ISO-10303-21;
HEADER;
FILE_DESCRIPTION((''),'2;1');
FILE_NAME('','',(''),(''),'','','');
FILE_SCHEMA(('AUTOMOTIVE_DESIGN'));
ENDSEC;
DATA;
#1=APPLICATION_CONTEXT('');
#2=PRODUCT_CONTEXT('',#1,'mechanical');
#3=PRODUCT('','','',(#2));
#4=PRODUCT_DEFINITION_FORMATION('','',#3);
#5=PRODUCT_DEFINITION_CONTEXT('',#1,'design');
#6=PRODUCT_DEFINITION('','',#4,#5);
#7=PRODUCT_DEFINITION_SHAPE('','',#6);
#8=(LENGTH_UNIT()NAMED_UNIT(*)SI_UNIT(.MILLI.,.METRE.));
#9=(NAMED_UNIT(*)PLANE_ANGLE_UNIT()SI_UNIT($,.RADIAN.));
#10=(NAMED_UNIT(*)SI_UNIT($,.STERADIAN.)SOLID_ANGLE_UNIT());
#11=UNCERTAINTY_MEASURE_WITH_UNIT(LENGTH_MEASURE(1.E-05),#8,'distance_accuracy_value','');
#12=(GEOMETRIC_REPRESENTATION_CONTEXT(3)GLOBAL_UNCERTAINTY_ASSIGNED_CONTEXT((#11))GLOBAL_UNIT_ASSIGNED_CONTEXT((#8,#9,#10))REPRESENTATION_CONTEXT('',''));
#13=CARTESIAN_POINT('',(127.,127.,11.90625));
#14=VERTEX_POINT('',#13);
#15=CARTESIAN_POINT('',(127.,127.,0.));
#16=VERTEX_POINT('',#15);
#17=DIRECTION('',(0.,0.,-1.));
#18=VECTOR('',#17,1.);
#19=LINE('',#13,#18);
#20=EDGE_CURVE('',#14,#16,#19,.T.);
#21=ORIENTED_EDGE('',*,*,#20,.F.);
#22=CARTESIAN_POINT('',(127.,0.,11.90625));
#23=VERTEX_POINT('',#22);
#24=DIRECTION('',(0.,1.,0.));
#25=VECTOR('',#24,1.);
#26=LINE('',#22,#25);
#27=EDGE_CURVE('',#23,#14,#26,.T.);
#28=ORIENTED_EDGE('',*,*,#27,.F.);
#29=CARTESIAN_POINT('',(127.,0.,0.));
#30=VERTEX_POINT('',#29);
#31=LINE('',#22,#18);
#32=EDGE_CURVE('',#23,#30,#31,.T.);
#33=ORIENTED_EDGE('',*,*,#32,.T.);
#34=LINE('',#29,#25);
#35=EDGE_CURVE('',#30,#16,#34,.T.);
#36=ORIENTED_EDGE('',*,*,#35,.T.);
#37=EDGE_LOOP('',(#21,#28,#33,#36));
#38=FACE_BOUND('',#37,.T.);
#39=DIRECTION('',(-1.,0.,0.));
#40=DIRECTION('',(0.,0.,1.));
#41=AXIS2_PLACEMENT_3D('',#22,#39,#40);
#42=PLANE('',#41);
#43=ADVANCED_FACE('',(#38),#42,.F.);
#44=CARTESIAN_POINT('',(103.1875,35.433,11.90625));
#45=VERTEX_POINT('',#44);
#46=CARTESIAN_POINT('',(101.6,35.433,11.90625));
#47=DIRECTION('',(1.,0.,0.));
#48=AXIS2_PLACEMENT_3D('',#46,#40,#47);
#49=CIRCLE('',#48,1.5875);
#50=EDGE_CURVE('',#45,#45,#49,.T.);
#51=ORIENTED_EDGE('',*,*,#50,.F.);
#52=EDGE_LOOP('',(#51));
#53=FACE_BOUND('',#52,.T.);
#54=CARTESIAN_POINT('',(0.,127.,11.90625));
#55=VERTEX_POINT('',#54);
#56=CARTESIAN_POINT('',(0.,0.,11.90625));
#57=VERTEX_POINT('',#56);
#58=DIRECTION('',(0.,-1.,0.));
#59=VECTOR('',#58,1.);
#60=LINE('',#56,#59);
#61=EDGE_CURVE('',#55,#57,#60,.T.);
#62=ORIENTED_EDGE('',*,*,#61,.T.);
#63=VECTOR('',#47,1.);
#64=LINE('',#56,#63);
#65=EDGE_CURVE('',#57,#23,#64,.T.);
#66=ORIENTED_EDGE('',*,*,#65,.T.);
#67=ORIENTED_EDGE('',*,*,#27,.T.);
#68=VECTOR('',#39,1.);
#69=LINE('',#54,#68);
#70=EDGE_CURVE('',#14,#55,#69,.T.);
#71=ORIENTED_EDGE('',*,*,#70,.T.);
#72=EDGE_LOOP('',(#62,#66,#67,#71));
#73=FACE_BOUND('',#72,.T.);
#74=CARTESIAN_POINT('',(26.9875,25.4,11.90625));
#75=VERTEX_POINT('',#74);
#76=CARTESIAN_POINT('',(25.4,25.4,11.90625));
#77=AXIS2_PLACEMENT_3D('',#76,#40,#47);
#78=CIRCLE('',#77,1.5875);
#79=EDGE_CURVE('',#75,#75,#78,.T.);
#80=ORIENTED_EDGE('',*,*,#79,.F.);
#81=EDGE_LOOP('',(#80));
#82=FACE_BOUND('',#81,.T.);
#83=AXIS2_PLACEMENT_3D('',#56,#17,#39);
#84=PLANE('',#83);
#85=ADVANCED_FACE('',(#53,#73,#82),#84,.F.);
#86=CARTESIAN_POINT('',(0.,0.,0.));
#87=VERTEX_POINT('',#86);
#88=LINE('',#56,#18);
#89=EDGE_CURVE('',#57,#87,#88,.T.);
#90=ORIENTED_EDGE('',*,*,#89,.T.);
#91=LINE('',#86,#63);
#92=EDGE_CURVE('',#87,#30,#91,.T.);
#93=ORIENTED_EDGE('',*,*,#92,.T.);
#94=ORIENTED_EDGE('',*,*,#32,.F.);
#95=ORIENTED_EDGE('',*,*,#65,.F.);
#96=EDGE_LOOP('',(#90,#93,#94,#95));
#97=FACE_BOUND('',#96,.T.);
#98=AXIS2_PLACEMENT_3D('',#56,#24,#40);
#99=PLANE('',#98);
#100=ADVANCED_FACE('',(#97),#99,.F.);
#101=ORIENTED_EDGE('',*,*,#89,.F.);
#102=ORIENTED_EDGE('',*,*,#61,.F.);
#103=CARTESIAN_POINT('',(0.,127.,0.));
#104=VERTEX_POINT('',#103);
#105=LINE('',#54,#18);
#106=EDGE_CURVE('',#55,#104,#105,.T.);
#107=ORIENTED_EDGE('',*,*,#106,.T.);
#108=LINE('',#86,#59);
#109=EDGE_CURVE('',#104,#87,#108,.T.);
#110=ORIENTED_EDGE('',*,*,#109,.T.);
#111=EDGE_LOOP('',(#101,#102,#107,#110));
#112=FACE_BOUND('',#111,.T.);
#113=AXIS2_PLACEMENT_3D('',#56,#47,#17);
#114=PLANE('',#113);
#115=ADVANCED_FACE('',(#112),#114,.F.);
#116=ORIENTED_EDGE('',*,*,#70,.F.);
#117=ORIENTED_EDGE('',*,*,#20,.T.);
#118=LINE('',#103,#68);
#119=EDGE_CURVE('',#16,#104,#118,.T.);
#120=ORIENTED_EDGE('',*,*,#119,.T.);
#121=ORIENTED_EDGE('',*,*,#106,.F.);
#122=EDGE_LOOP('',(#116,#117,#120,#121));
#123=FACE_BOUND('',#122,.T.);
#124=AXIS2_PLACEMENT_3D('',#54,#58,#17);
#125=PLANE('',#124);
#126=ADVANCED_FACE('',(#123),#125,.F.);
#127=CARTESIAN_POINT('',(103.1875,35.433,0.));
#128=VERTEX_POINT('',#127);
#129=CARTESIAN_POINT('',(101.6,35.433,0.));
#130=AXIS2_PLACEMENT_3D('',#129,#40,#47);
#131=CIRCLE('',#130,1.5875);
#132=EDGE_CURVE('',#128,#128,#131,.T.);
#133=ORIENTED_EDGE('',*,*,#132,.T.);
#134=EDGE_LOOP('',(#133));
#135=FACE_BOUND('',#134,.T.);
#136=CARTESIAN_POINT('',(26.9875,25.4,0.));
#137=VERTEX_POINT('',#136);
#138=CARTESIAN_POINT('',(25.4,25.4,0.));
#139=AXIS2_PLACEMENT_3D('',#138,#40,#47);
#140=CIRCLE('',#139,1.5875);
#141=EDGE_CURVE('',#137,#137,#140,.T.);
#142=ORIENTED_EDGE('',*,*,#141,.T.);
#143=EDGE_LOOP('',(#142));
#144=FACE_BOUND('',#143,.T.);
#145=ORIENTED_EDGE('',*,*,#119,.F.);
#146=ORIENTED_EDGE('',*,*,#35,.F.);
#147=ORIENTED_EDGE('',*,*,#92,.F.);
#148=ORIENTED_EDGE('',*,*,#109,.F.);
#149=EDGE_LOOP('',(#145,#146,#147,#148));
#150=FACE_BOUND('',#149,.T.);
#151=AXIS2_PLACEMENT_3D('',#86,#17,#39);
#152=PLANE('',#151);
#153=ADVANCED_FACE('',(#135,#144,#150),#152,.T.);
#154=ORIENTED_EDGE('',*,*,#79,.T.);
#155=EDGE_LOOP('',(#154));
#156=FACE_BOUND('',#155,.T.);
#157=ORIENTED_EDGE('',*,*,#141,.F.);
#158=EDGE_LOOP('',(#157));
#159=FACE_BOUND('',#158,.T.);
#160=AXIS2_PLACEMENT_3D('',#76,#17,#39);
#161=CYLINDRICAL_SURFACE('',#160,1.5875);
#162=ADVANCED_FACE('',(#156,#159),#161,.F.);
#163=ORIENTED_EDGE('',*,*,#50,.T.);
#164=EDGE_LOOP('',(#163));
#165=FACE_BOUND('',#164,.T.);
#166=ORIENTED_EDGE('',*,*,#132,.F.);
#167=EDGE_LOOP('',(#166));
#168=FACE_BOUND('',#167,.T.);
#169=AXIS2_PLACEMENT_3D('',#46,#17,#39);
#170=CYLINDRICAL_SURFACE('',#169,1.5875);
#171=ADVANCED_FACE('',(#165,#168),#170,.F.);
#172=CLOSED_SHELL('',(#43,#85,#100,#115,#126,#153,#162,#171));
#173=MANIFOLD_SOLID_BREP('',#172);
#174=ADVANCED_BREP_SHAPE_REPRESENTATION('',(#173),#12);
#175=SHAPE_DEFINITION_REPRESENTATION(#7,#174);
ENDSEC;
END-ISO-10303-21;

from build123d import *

# Parameters (mm, degrees)
SKETCH1_W           = 127
SKETCH1_H           = 127
SKETCH1_R           = 1.5875
BOSS_EXTRUDE1_DEPTH = 11.90625


with BuildPart() as part:
    # Sketch1 → Boss-Extrude1 (new body)
    with BuildSketch(Plane.XY):
        with Locations((63.5, 63.5)):
            Rectangle(SKETCH1_W, SKETCH1_H)
        with Locations((25.4, 25.4)):
            Circle(SKETCH1_R, mode=Mode.SUBTRACT)
        with Locations((101.6, 35.433)):
            Circle(SKETCH1_R, mode=Mode.SUBTRACT)
    extrude(amount=BOSS_EXTRUDE1_DEPTH)


solid = part.part
